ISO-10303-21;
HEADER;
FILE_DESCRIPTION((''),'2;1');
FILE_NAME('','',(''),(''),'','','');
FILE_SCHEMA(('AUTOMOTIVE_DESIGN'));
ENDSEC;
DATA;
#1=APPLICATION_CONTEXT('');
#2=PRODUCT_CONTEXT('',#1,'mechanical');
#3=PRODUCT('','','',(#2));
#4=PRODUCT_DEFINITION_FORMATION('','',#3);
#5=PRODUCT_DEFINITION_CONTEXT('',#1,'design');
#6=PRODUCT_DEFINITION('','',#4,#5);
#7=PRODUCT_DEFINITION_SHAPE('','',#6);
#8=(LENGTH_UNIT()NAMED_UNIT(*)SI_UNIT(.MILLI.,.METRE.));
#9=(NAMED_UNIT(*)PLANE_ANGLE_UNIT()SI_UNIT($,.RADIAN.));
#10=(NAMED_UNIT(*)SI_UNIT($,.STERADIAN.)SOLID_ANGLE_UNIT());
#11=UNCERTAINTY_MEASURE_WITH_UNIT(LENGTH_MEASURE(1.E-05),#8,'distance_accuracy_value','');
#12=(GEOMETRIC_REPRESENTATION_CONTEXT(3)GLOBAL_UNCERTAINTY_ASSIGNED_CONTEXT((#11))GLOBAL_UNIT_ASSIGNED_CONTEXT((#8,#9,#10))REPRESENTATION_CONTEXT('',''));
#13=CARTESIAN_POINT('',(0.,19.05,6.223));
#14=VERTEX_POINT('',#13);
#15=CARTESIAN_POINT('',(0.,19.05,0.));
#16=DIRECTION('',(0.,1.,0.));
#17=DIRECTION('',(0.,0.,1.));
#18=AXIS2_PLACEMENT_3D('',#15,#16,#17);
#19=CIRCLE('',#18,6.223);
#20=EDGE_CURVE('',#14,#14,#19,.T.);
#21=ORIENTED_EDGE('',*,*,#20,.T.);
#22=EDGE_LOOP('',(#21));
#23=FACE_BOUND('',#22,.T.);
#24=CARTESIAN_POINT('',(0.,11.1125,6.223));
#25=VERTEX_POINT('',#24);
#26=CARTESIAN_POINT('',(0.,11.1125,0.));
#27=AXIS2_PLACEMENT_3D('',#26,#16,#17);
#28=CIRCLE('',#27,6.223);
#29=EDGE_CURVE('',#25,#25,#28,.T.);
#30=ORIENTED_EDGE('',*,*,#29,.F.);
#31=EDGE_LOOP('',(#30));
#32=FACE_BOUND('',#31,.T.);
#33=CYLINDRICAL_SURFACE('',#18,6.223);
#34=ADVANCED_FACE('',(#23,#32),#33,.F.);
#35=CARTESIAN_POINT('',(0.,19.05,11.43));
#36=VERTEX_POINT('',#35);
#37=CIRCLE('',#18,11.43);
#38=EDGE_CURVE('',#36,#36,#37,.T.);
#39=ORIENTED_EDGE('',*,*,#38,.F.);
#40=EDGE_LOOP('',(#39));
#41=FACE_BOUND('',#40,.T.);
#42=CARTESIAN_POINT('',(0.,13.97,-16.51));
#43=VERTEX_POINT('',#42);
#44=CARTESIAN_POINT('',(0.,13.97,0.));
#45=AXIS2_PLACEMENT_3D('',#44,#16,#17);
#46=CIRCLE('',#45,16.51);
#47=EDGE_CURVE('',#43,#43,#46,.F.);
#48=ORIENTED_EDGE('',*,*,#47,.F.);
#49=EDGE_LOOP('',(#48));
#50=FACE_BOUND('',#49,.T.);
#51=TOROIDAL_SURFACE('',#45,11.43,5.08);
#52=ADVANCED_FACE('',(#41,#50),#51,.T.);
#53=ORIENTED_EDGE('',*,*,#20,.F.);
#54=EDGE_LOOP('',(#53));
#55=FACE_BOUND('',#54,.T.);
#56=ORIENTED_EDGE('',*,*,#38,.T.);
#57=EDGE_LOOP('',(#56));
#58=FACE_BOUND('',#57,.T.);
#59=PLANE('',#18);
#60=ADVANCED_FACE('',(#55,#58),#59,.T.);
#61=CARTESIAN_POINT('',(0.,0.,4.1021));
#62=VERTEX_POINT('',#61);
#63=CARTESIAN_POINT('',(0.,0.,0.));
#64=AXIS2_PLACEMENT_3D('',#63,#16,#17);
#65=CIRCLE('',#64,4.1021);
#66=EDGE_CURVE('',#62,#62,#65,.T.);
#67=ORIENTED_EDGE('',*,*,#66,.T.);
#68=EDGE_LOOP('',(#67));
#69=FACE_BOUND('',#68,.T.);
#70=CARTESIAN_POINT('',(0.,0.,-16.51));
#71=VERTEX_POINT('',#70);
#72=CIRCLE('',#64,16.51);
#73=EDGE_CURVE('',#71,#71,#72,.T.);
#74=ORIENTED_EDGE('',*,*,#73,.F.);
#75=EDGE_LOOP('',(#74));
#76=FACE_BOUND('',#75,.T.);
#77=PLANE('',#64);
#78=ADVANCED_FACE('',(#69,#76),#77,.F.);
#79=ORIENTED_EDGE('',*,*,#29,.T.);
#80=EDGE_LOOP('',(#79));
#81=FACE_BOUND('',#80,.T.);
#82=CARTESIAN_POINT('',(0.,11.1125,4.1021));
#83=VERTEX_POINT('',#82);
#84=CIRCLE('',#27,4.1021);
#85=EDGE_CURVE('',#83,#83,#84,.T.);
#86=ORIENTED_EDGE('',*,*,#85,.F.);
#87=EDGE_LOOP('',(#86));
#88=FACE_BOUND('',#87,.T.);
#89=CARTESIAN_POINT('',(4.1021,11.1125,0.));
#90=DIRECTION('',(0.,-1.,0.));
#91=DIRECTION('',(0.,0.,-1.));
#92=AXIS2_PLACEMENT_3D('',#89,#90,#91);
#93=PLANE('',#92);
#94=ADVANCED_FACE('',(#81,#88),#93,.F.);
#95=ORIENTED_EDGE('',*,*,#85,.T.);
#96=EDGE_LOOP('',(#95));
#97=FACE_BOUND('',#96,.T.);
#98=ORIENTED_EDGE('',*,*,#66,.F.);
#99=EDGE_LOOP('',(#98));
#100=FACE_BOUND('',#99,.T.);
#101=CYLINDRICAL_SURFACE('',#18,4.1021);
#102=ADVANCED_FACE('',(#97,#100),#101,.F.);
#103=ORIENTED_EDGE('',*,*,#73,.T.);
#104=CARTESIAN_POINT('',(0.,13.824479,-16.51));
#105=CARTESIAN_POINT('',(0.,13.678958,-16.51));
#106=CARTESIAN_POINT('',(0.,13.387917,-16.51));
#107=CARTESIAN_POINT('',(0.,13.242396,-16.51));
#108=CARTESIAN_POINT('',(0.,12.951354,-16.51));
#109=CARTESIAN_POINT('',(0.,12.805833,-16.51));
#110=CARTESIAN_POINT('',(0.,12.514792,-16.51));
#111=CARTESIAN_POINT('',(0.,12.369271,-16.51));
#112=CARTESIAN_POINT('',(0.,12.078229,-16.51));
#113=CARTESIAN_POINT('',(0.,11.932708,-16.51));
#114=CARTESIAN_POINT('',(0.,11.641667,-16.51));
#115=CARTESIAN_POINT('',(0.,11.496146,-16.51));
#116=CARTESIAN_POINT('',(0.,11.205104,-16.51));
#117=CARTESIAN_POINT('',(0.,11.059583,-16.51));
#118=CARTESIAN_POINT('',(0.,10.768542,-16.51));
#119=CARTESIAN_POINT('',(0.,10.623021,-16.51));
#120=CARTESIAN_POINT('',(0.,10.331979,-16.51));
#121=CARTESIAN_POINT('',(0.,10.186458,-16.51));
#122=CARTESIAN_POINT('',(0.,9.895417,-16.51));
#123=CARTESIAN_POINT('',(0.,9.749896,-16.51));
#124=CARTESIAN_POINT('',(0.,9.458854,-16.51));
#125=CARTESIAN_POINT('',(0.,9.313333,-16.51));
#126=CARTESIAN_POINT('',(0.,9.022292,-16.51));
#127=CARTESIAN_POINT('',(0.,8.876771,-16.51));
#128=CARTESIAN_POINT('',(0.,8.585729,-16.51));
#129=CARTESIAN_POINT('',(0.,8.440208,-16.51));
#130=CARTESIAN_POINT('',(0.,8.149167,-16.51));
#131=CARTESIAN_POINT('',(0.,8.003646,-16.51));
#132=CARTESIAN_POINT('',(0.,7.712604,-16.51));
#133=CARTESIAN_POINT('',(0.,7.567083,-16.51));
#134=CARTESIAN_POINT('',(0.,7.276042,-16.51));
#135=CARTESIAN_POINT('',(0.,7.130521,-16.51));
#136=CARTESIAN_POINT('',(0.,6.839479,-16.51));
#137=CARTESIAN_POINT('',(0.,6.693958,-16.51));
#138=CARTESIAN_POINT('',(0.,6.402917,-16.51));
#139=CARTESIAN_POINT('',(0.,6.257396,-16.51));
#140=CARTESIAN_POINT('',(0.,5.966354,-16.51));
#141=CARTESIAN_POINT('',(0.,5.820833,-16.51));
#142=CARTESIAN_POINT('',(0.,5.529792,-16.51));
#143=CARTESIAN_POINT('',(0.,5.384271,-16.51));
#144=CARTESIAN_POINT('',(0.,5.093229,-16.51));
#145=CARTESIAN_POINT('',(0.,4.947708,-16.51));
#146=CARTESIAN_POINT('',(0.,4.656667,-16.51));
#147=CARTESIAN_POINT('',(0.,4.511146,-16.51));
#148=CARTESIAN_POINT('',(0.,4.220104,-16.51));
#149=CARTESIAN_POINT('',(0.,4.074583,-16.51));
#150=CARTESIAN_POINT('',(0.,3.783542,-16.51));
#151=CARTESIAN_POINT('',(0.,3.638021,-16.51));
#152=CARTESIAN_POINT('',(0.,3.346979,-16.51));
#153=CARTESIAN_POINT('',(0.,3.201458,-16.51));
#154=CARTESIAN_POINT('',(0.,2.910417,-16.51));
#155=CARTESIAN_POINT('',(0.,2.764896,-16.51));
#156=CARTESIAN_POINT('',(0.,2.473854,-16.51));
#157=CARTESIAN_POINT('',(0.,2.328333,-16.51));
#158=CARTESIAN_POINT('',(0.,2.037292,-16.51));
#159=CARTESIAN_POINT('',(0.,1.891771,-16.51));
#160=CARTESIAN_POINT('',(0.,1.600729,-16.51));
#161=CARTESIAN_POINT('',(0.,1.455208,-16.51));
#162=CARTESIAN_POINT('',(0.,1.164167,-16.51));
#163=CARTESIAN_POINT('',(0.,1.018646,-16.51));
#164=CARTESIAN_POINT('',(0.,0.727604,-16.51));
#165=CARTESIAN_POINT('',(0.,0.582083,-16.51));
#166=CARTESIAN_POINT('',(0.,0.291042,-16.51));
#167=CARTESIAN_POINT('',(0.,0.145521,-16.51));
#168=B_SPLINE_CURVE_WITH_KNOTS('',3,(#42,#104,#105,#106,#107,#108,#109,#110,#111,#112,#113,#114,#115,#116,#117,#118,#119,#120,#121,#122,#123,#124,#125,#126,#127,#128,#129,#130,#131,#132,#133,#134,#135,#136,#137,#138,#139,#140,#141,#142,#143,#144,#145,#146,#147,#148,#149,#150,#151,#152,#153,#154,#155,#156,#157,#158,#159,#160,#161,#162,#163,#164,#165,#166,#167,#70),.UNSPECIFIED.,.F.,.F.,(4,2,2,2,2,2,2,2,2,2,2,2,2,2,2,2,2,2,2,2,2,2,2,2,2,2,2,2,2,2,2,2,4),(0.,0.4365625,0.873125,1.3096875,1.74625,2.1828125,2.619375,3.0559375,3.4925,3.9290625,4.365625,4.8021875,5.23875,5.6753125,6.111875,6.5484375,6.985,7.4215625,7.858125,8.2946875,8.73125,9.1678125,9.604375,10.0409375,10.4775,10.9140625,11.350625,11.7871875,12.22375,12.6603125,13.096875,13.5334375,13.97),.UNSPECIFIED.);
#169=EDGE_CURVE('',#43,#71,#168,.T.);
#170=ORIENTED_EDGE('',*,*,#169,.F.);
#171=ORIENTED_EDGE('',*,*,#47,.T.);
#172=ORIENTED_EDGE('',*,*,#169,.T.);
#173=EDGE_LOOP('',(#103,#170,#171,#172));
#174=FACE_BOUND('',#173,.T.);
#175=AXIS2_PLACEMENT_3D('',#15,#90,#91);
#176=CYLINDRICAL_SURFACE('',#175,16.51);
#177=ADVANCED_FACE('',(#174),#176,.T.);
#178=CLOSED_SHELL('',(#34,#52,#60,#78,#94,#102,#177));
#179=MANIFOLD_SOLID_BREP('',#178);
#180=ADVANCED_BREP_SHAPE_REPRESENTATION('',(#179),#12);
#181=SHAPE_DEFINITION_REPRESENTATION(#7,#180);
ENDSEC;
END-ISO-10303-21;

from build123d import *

# Parameters (mm, degrees)
CROQUIS1_R                                           = 16.51
SALIENTE_EXTRUIR1_DEPTH                              = 19.05
REFRENTADO_PARA_TORNILLO_CON_CABEZA_HUEC_D           = 8.2042
REFRENTADO_PARA_TORNILLO_CON_CABEZA_HUEC_DEPTH       = 19.7485
REFRENTADO_PARA_TORNILLO_CON_CABEZA_HUEC_CBORE_D     = 12.446
REFRENTADO_PARA_TORNILLO_CON_CABEZA_HUEC_CBORE_DEPTH = 7.9375
REFRENTADO_PARA_TORNILLO_CON_CABEZA_HUEC_TIP         = 2.464790345
REDONDEO1_R                                          = 5.08


with BuildPart() as part:
    # Croquis1 → Saliente-Extruir1 (new body)
    with BuildSketch(Plane(origin=(0, 0, 0), x_dir=(1, 0, 0), z_dir=(0, 1, 0))):
        with Locations(Location((0, 0, 0), (0, 0, 90))):
            Circle(CROQUIS1_R)
    extrude(amount=SALIENTE_EXTRUIR1_DEPTH)

    # Refrentado para tornillo con cabeza hueca de 5/161
    with Locations(Plane(origin=(0, 19.05, 0), x_dir=(1, 0, 0), z_dir=(0, 1, 0))):
        with Locations((0, 0)):
            CounterBoreHole(REFRENTADO_PARA_TORNILLO_CON_CABEZA_HUEC_D / 2, REFRENTADO_PARA_TORNILLO_CON_CABEZA_HUEC_CBORE_D / 2, REFRENTADO_PARA_TORNILLO_CON_CABEZA_HUEC_CBORE_DEPTH, depth=REFRENTADO_PARA_TORNILLO_CON_CABEZA_HUEC_DEPTH)
            with Locations((0, 0, -(REFRENTADO_PARA_TORNILLO_CON_CABEZA_HUEC_DEPTH + REFRENTADO_PARA_TORNILLO_CON_CABEZA_HUEC_TIP / 2))):  # 118° drill point
                Cone(0, REFRENTADO_PARA_TORNILLO_CON_CABEZA_HUEC_D / 2, REFRENTADO_PARA_TORNILLO_CON_CABEZA_HUEC_TIP, mode=Mode.SUBTRACT)

    # Redondeo1
    redondeo1_edges = [part.edges().sort_by_distance(p)[0] for p in [
        (0, 19.05, 16.51),
    ]]
    fillet(redondeo1_edges, radius=REDONDEO1_R)


solid = part.part
